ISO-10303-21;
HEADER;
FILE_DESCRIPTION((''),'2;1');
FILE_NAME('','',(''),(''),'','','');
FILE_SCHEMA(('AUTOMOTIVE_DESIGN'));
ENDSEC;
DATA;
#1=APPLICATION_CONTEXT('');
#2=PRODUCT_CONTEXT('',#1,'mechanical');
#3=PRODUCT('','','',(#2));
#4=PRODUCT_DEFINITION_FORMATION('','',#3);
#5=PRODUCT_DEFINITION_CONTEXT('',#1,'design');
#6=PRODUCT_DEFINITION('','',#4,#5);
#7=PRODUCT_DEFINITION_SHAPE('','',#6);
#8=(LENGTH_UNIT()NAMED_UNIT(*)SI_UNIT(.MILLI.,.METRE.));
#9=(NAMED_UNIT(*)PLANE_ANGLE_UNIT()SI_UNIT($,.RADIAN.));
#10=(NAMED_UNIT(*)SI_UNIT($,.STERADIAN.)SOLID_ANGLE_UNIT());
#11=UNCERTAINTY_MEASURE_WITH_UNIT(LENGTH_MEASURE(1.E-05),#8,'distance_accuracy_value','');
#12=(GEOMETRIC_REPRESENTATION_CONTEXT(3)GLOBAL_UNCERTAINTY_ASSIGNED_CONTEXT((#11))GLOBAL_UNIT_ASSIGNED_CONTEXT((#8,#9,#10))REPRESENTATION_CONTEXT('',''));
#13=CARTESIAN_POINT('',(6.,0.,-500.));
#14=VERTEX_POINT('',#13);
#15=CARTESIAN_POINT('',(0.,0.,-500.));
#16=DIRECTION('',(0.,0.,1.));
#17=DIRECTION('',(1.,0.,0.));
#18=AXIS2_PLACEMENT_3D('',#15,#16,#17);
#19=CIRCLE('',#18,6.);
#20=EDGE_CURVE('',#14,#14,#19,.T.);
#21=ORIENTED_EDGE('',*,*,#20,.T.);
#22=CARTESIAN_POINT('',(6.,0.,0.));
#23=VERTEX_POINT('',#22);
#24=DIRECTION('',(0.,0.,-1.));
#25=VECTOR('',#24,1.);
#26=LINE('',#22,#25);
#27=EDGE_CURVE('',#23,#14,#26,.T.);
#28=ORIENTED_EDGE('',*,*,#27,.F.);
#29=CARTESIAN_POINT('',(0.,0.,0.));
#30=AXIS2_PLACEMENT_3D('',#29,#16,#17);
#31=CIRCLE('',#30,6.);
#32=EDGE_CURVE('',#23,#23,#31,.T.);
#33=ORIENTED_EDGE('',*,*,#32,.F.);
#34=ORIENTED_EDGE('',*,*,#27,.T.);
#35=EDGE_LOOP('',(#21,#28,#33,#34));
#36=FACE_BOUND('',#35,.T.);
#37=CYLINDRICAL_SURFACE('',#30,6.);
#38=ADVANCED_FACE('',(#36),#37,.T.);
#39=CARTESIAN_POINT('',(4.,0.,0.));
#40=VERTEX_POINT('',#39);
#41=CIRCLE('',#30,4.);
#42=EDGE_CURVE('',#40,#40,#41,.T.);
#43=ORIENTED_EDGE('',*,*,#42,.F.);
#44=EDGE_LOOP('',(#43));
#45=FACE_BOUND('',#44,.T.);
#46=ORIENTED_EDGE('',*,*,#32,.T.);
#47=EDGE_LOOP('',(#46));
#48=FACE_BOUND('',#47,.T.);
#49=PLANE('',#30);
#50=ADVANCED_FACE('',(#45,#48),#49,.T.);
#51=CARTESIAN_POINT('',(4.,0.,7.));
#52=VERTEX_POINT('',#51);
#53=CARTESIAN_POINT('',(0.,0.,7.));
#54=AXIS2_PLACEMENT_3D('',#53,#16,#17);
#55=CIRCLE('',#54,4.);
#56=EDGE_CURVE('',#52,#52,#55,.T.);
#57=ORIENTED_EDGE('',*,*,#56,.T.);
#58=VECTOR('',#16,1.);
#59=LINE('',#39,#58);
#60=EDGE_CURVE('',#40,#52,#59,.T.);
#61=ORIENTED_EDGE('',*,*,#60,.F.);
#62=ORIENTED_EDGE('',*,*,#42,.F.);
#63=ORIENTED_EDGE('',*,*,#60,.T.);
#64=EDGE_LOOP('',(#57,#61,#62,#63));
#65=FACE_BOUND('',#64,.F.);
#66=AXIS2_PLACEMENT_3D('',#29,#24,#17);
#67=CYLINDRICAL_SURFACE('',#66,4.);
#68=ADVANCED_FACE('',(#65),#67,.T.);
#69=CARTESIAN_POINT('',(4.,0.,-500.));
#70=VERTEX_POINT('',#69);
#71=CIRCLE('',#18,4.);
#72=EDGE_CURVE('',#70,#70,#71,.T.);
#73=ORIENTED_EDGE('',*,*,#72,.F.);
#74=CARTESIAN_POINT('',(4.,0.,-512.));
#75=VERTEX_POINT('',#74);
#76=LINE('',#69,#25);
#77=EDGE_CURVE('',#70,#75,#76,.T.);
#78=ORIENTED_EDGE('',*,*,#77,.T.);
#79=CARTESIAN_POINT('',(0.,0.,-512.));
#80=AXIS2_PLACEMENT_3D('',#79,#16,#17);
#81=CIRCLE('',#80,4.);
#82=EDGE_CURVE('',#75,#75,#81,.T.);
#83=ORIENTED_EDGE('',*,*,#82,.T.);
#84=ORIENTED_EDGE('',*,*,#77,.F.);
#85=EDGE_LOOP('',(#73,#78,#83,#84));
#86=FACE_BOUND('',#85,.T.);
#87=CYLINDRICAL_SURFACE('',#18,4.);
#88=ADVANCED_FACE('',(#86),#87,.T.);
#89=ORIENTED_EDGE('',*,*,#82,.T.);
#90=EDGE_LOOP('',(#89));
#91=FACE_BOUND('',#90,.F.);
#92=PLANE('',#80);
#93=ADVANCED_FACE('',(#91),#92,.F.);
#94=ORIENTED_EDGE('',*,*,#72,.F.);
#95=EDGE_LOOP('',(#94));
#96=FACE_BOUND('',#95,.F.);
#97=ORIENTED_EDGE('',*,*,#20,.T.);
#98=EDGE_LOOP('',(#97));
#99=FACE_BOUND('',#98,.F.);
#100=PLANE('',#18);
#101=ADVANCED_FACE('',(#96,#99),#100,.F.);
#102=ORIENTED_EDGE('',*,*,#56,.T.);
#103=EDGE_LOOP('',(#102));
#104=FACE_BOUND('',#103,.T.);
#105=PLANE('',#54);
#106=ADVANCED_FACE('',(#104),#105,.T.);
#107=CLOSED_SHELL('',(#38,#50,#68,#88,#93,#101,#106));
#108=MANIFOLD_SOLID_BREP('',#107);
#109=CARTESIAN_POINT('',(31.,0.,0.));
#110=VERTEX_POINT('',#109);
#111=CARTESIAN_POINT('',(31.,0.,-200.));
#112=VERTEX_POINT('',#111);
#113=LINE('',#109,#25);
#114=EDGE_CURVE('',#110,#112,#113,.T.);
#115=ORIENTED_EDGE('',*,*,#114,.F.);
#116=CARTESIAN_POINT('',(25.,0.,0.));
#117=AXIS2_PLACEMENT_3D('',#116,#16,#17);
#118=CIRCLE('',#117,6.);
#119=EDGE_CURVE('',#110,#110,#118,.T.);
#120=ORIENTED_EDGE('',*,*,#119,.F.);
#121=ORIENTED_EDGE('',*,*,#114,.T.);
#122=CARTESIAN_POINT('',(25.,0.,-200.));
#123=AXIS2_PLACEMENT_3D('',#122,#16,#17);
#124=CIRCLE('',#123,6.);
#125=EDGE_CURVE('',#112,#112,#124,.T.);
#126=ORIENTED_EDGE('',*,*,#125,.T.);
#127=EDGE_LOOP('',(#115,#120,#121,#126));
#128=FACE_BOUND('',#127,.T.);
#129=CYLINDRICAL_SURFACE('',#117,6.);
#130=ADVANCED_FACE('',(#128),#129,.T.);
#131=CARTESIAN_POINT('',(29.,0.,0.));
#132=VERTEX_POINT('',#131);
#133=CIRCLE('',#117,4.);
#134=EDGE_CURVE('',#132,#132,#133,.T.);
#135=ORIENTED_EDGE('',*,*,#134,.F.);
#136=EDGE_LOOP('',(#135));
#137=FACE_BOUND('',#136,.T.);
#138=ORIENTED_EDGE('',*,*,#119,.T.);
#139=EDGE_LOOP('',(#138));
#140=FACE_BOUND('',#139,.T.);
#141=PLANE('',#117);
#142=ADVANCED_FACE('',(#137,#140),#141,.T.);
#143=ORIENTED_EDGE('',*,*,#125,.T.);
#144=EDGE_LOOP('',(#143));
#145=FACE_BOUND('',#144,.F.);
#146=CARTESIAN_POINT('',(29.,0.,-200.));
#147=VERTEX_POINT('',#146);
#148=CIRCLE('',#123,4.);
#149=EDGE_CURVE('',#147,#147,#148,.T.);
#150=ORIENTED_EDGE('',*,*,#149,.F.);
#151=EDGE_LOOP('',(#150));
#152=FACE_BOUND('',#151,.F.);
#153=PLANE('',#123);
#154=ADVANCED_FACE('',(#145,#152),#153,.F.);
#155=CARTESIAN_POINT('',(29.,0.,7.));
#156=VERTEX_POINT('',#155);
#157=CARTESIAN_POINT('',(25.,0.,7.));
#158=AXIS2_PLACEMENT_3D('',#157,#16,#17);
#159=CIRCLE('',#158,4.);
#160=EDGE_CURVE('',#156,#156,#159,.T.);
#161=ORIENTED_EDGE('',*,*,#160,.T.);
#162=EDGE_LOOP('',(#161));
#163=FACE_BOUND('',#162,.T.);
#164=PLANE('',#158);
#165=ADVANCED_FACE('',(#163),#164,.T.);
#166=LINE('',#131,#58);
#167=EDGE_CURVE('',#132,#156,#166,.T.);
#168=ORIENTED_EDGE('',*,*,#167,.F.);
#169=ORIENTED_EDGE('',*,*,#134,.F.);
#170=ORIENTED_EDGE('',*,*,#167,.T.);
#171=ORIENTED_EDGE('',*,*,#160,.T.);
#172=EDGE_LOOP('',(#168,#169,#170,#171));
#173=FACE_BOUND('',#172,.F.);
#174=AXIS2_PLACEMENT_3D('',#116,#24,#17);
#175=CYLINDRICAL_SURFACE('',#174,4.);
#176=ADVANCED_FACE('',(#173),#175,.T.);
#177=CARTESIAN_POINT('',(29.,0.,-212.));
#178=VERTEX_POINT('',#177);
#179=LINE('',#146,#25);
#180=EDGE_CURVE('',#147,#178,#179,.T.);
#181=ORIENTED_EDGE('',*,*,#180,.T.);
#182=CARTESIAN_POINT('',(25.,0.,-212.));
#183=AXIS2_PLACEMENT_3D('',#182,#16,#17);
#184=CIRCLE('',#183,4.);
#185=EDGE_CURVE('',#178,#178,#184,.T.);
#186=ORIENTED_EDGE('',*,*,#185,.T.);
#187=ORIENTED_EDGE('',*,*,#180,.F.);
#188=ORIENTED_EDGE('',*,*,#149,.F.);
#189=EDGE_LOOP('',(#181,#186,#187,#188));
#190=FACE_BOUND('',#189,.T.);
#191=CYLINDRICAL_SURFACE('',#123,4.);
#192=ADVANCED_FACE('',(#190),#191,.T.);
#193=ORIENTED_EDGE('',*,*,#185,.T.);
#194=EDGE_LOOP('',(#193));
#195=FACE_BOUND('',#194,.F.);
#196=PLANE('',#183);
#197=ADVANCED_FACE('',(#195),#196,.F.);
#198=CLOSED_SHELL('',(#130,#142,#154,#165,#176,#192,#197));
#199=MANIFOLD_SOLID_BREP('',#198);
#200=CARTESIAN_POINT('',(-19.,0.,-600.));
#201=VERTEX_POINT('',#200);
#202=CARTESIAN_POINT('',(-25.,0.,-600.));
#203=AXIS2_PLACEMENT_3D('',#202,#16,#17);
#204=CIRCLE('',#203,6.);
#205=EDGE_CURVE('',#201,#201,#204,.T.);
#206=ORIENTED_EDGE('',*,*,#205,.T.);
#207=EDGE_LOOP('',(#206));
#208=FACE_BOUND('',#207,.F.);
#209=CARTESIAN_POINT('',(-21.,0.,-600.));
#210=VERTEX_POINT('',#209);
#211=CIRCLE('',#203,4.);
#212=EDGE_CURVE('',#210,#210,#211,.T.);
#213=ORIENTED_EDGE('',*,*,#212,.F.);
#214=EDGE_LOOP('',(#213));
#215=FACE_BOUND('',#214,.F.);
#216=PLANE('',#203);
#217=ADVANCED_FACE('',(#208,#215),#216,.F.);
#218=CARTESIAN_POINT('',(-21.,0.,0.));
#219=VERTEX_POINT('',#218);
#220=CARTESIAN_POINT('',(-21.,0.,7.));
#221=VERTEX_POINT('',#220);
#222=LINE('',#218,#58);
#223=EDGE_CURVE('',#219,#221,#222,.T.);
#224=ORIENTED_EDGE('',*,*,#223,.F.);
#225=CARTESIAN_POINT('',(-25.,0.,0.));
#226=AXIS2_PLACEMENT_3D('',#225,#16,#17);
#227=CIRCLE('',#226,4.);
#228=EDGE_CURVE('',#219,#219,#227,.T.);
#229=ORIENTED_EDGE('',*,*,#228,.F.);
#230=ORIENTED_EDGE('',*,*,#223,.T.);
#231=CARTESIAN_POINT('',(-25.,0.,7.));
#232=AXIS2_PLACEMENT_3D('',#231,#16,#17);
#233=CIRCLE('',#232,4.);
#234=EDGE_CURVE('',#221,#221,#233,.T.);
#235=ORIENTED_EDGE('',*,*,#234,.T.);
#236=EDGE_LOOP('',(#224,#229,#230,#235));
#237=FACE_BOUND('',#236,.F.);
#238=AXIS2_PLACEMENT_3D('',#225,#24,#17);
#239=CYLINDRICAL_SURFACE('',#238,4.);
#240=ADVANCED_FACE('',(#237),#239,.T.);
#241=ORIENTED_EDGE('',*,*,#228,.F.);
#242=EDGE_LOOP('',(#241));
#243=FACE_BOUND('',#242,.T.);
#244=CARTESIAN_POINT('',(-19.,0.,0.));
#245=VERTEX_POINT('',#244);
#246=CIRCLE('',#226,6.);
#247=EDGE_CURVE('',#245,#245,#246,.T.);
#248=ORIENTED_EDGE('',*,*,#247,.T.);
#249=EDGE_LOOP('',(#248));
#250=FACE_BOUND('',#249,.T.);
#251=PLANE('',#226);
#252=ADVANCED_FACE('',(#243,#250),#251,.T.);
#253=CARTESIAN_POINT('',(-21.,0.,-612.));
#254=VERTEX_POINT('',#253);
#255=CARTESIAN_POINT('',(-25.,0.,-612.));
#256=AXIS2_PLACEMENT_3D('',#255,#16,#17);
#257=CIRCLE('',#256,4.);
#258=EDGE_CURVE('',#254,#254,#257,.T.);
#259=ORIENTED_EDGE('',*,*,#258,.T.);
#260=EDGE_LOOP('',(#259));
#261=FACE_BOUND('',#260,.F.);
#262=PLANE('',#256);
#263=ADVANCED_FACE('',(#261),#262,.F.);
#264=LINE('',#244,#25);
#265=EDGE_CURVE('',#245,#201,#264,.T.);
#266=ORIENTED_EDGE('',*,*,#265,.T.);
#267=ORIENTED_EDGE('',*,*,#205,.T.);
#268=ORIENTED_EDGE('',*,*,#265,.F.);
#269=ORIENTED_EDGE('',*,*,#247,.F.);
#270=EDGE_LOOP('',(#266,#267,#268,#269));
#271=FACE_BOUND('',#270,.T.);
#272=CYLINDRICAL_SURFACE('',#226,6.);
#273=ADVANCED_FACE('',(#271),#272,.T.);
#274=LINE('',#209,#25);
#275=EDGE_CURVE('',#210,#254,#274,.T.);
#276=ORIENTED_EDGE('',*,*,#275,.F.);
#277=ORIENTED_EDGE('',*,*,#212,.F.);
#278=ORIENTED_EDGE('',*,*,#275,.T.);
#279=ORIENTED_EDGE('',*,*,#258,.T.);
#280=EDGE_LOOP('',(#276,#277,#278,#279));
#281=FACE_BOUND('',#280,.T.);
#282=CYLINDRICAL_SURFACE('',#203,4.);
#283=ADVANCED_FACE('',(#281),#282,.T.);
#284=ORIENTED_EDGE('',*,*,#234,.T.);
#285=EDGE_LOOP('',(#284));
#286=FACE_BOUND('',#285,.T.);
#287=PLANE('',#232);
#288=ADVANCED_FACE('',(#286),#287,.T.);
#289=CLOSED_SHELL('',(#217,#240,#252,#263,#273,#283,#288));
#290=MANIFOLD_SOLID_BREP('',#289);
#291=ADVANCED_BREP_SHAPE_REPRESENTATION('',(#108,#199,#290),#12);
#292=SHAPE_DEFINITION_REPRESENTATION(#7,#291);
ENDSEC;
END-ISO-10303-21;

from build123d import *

# Parameters (mm, degrees)
F5_R      = 6
F5_R_2    = 4
F6_DEPTH  = 600
F7_DEPTH  = 500
F8_DEPTH  = 200
F9_DEPTH  = 7
F10_START = -200
F10_DEPTH = 12
F11_START = -500
F11_DEPTH = 12
F12_START = -600
F12_DEPTH = 12


with BuildPart() as f6:
    # F5 (on Top) → F6 (new body)
    with BuildSketch(Plane.XY):
        with Locations((-25, 0)):
            Circle(F5_R)
        with Locations((-25, 0)):
            Circle(F5_R_2, mode=Mode.SUBTRACT)
        with Locations((-25, 0)):
            Circle(F5_R_2)
    extrude(amount=-F6_DEPTH)

    # F5 (on Top) → F9 (join)
    with BuildSketch(Plane.XY):
        with Locations((-25, 0)):
            Circle(F5_R_2)
    extrude(amount=F9_DEPTH)

    # F5 (on Top) → F10, piece 3 (join)
    with BuildSketch(Plane.XY.offset(F10_START)):
        with Locations((-25, 0)):
            Circle(F5_R)
        with Locations((-25, 0)):
            Circle(F5_R_2, mode=Mode.SUBTRACT)
    extrude(amount=-F10_DEPTH)

    # F5 (on Top) → F12 (join)
    with BuildSketch(Plane.XY.offset(F12_START)):
        with Locations((-25, 0)):
            Circle(F5_R_2)
    extrude(amount=-F12_DEPTH)


with BuildPart() as f7:
    # F5 (on Top) → F7 (new body)
    with BuildSketch(Plane.XY):
        Circle(F5_R)
        Circle(F5_R_2, mode=Mode.SUBTRACT)
        Circle(F5_R_2)
    extrude(amount=-F7_DEPTH)

    # F5 (on Top) → F9, piece 2 (join)
    with BuildSketch(Plane.XY):
        Circle(F5_R_2)
    extrude(amount=F9_DEPTH)

    # F5 (on Top) → F10, piece 2 (join)
    with BuildSketch(Plane.XY.offset(F10_START)):
        Circle(F5_R)
        Circle(F5_R_2, mode=Mode.SUBTRACT)
    extrude(amount=-F10_DEPTH)

    # F5 (on Top) → F11 (join)
    with BuildSketch(Plane.XY.offset(F11_START)):
        Circle(F5_R_2)
    extrude(amount=-F11_DEPTH)


with BuildPart() as f8:
    # F5 (on Top) → F8 (new body)
    with BuildSketch(Plane.XY):
        with Locations((25, 0)):
            Circle(F5_R)
        with Locations((25, 0)):
            Circle(F5_R_2, mode=Mode.SUBTRACT)
        with Locations((25, 0)):
            Circle(F5_R_2)
    extrude(amount=-F8_DEPTH)

    # F5 (on Top) → F9, piece 3 (join)
    with BuildSketch(Plane.XY):
        with Locations((25, 0)):
            Circle(F5_R_2)
    extrude(amount=F9_DEPTH)

    # F5 (on Top) → F10 (join)
    with BuildSketch(Plane.XY.offset(F10_START)):
        with Locations((25, 0)):
            Circle(F5_R_2)
    extrude(amount=-F10_DEPTH)


solid = Compound([f6.part, f7.part, f8.part])
